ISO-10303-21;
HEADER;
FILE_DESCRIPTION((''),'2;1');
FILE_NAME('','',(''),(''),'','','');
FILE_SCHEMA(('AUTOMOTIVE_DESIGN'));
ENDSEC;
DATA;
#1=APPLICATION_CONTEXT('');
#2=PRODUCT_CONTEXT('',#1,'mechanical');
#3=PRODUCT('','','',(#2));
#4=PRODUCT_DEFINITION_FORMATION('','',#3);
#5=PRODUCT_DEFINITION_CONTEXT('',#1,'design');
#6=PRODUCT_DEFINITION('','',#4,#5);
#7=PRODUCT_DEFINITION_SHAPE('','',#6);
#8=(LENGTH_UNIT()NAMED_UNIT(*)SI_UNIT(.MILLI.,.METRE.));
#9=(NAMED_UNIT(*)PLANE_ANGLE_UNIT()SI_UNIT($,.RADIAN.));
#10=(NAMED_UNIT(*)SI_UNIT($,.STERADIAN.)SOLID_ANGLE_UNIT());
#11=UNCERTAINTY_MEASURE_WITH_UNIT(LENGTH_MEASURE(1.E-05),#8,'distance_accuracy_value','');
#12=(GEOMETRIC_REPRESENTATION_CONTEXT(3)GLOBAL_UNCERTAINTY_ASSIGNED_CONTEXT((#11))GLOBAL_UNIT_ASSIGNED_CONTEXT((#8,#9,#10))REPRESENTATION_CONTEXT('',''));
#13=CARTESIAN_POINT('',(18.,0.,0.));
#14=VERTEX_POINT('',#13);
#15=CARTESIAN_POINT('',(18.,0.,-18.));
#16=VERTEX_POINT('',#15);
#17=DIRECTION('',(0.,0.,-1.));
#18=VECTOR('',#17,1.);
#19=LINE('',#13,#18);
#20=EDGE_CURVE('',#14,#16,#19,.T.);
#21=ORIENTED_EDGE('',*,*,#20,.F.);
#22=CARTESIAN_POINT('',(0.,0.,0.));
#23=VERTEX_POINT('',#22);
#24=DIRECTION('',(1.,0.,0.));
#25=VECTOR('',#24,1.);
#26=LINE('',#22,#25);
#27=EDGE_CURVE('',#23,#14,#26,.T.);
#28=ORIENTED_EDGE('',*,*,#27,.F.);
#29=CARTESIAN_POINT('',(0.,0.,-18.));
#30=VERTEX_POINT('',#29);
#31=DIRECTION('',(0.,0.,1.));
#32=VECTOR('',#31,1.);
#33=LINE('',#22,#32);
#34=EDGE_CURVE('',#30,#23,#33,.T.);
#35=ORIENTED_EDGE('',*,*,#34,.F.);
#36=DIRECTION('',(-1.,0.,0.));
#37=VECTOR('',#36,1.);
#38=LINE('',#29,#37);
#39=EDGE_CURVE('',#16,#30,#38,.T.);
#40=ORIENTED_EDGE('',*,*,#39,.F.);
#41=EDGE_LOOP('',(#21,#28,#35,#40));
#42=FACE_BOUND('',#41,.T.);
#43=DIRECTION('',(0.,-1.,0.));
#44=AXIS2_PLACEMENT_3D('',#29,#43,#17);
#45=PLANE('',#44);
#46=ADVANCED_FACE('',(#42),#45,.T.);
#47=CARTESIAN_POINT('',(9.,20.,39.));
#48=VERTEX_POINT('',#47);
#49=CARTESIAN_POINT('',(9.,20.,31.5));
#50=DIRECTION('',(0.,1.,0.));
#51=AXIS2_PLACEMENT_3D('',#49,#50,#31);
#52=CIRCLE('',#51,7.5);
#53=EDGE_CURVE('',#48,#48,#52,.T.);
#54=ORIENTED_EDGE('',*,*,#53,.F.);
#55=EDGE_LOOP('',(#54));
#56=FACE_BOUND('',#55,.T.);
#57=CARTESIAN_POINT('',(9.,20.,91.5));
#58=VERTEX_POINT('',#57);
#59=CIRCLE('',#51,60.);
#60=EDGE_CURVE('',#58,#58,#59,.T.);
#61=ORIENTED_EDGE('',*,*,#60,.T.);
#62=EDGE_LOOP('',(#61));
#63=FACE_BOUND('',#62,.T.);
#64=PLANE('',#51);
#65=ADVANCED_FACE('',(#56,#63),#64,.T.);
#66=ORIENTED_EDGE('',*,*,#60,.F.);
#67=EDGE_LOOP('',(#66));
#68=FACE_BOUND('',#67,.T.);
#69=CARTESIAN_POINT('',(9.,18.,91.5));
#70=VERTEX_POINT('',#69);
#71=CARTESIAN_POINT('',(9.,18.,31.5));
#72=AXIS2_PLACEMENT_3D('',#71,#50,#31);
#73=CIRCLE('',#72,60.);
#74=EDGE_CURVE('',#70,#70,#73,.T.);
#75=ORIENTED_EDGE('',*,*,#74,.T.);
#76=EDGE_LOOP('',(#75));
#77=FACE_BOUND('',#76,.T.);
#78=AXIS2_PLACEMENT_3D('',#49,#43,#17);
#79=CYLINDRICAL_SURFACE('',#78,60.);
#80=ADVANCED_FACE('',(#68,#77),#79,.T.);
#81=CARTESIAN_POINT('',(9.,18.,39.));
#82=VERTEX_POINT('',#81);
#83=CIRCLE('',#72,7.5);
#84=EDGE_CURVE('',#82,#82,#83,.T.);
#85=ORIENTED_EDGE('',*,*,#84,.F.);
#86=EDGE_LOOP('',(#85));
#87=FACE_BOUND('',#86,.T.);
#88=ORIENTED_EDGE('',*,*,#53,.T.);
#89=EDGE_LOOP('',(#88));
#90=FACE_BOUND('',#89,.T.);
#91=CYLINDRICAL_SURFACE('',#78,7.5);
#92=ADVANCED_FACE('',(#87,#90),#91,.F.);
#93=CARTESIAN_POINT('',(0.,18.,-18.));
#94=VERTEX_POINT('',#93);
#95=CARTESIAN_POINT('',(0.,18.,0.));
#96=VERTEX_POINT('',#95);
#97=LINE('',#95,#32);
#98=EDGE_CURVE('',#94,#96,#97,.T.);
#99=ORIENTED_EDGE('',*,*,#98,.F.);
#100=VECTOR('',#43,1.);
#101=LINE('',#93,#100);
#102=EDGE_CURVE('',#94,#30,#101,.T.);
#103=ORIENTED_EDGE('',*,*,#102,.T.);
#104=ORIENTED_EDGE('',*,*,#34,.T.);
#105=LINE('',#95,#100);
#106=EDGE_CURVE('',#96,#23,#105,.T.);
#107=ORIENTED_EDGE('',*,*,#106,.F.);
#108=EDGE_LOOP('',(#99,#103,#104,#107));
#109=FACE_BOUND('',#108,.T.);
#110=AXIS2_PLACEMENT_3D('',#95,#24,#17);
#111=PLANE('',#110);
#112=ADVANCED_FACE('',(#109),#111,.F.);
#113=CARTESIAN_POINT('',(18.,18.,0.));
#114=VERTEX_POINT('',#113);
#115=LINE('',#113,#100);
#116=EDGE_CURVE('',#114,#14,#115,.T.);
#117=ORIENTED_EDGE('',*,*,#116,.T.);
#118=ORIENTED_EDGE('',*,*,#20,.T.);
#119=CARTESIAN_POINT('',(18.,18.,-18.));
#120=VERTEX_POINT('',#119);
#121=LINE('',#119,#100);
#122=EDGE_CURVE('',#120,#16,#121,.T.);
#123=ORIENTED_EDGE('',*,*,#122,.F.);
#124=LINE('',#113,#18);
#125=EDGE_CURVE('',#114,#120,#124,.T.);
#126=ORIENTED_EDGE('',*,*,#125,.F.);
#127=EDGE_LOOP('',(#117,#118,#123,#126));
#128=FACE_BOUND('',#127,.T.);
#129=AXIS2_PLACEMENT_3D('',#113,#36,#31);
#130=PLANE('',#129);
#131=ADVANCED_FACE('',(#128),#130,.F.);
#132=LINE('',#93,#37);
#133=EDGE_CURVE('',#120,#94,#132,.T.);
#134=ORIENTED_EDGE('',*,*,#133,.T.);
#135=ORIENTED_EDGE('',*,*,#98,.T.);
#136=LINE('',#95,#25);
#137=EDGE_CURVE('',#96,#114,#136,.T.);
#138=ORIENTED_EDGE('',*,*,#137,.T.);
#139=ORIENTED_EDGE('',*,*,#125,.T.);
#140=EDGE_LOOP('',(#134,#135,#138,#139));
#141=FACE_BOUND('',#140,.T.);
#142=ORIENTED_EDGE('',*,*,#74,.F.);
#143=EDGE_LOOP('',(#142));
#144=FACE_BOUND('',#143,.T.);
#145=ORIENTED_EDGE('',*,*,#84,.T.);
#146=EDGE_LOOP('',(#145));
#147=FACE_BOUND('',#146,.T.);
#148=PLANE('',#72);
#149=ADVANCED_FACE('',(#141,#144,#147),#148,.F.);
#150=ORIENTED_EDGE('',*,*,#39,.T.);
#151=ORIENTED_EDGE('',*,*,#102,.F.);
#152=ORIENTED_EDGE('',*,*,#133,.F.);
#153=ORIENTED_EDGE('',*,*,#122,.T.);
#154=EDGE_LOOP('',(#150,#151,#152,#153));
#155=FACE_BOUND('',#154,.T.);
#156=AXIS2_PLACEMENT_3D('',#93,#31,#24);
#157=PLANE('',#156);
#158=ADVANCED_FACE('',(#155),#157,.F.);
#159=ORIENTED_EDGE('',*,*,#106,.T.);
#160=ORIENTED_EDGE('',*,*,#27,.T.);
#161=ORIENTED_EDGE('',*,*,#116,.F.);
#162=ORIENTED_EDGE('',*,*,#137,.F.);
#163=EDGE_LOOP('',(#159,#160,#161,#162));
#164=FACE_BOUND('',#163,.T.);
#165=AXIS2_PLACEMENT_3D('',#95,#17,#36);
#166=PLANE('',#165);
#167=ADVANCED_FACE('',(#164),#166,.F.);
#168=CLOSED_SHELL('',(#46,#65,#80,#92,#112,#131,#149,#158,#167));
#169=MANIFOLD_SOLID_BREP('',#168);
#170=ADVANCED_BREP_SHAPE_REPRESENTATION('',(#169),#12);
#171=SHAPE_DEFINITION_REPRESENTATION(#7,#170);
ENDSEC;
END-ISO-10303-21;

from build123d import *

# Parameters (mm, degrees)
ESQUISSE1_W      = 18
ESQUISSE1_H      = 18
EXTRUSION1_DEPTH = 18
ESQUISSE2_R      = 60
ESQUISSE2_R_2    = 7.5
EXTRUSION2_DEPTH = 2


with BuildPart() as part:
    # Esquisse1 → Extrusion1 (new body)
    with BuildSketch(Plane(origin=(0, 0, 0), x_dir=(1, 0, 0), z_dir=(0, 1, 0))):
        with Locations((9, 9)):
            Rectangle(ESQUISSE1_W, ESQUISSE1_H)
    extrude(amount=EXTRUSION1_DEPTH)

    # Esquisse2 → Extrusion2 (add)
    with BuildSketch(Plane(origin=(0, 18, 0), x_dir=(1, 0, 0), z_dir=(0, 1, 0))):
        with Locations((9, -31.5)):
            Circle(ESQUISSE2_R)
        with Locations((9, -31.5)):
            Circle(ESQUISSE2_R_2, mode=Mode.SUBTRACT)
    extrude(amount=EXTRUSION2_DEPTH)


solid = part.part
